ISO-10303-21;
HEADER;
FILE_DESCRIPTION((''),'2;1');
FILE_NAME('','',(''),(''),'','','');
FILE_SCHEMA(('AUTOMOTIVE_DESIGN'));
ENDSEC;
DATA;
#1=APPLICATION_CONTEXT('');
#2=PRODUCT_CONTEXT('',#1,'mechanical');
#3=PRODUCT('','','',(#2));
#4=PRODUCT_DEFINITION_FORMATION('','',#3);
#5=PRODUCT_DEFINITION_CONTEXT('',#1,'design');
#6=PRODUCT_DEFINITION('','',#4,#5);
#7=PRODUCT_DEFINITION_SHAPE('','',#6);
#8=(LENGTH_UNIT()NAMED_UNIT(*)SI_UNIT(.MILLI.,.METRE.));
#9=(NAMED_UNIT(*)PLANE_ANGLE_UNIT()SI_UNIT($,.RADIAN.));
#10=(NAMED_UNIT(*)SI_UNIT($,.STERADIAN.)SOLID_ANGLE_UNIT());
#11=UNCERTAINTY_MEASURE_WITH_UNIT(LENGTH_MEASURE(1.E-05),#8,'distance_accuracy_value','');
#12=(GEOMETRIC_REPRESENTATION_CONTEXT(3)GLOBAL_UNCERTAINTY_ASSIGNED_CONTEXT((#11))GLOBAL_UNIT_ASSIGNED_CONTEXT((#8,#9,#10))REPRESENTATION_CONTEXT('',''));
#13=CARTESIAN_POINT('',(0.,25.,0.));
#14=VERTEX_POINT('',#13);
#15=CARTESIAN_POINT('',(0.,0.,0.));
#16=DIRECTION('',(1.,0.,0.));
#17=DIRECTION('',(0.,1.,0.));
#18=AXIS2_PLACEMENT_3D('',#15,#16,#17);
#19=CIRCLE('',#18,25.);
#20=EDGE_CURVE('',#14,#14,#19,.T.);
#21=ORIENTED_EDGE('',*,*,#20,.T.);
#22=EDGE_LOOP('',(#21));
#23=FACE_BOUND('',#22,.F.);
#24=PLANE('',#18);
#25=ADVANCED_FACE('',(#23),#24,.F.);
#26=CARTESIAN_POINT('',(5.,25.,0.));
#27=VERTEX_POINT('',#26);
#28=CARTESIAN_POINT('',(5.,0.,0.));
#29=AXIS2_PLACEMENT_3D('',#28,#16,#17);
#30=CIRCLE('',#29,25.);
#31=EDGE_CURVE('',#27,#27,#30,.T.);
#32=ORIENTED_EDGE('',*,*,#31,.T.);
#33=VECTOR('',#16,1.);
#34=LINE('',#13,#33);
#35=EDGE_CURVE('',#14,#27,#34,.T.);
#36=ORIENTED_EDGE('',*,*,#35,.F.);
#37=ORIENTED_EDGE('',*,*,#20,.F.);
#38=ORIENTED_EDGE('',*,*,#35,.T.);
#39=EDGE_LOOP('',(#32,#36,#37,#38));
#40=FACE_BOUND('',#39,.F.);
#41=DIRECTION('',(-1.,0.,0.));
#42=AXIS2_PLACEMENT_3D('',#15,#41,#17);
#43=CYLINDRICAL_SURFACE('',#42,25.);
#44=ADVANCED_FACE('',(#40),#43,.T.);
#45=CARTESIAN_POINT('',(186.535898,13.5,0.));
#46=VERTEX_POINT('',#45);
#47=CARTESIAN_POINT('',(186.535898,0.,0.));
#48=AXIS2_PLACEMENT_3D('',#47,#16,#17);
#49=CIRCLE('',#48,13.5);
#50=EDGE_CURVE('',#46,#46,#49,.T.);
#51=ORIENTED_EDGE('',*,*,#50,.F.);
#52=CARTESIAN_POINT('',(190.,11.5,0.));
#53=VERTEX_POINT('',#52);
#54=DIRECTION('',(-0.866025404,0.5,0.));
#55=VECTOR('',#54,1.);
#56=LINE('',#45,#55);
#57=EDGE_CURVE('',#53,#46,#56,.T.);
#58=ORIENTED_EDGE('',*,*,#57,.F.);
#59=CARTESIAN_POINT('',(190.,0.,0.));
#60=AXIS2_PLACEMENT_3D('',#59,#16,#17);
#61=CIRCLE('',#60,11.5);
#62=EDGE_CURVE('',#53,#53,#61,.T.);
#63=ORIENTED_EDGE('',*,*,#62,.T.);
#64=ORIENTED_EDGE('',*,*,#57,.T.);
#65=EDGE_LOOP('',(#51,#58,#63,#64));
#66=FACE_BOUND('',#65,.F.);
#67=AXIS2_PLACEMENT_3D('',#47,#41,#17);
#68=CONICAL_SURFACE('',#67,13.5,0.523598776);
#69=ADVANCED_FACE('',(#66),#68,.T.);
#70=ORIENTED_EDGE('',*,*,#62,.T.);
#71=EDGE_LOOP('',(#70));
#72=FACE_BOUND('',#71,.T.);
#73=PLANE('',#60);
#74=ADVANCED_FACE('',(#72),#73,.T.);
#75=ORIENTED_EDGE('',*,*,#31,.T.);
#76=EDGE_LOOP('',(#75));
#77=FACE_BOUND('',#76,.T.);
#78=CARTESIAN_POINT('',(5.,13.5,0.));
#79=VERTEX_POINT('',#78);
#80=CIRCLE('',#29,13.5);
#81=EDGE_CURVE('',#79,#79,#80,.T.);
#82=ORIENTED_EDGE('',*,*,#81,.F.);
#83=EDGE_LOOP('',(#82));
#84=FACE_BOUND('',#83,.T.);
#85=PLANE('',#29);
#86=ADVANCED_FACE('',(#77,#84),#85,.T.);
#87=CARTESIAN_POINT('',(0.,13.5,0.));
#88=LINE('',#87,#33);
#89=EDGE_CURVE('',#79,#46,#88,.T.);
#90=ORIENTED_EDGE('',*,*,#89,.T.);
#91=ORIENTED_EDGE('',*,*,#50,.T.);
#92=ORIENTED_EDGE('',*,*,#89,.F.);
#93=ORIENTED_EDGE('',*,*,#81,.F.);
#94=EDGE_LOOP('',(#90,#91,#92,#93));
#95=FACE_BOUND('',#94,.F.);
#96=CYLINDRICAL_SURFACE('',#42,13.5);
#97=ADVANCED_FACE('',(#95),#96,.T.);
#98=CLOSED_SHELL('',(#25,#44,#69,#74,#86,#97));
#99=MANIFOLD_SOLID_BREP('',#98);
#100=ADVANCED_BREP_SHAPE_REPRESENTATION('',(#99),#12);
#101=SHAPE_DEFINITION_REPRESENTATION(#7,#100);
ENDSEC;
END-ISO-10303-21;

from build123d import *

# Parameters (mm, degrees)
F0_R     = 13.5
F1_DEPTH = 190
F0_R_2   = 25
F2_DEPTH = 5
F3_SIZE2 = 3.4641016151
F3_SIZE  = 2


with BuildPart() as f1:
    # F0 (on Right) → F1 (new body)
    with BuildSketch(Plane.YZ):
        Circle(F0_R)
    extrude(amount=F1_DEPTH)

    # F0 (on Right) → F2 (join)
    with BuildSketch(Plane.YZ):
        Circle(F0_R_2)
        Circle(F0_R, mode=Mode.SUBTRACT)
    extrude(amount=F2_DEPTH)

    # F3
    f3_edges = [f1.edges().sort_by_distance(p)[0] for p in [
        (190, -13.5, 0),
    ]]
    f3_side = f1.faces().sort_by_distance((190, 0, 0))[0]
    chamfer(f3_edges, length=F3_SIZE, length2=F3_SIZE2, reference=f3_side)


solid = f1.part
